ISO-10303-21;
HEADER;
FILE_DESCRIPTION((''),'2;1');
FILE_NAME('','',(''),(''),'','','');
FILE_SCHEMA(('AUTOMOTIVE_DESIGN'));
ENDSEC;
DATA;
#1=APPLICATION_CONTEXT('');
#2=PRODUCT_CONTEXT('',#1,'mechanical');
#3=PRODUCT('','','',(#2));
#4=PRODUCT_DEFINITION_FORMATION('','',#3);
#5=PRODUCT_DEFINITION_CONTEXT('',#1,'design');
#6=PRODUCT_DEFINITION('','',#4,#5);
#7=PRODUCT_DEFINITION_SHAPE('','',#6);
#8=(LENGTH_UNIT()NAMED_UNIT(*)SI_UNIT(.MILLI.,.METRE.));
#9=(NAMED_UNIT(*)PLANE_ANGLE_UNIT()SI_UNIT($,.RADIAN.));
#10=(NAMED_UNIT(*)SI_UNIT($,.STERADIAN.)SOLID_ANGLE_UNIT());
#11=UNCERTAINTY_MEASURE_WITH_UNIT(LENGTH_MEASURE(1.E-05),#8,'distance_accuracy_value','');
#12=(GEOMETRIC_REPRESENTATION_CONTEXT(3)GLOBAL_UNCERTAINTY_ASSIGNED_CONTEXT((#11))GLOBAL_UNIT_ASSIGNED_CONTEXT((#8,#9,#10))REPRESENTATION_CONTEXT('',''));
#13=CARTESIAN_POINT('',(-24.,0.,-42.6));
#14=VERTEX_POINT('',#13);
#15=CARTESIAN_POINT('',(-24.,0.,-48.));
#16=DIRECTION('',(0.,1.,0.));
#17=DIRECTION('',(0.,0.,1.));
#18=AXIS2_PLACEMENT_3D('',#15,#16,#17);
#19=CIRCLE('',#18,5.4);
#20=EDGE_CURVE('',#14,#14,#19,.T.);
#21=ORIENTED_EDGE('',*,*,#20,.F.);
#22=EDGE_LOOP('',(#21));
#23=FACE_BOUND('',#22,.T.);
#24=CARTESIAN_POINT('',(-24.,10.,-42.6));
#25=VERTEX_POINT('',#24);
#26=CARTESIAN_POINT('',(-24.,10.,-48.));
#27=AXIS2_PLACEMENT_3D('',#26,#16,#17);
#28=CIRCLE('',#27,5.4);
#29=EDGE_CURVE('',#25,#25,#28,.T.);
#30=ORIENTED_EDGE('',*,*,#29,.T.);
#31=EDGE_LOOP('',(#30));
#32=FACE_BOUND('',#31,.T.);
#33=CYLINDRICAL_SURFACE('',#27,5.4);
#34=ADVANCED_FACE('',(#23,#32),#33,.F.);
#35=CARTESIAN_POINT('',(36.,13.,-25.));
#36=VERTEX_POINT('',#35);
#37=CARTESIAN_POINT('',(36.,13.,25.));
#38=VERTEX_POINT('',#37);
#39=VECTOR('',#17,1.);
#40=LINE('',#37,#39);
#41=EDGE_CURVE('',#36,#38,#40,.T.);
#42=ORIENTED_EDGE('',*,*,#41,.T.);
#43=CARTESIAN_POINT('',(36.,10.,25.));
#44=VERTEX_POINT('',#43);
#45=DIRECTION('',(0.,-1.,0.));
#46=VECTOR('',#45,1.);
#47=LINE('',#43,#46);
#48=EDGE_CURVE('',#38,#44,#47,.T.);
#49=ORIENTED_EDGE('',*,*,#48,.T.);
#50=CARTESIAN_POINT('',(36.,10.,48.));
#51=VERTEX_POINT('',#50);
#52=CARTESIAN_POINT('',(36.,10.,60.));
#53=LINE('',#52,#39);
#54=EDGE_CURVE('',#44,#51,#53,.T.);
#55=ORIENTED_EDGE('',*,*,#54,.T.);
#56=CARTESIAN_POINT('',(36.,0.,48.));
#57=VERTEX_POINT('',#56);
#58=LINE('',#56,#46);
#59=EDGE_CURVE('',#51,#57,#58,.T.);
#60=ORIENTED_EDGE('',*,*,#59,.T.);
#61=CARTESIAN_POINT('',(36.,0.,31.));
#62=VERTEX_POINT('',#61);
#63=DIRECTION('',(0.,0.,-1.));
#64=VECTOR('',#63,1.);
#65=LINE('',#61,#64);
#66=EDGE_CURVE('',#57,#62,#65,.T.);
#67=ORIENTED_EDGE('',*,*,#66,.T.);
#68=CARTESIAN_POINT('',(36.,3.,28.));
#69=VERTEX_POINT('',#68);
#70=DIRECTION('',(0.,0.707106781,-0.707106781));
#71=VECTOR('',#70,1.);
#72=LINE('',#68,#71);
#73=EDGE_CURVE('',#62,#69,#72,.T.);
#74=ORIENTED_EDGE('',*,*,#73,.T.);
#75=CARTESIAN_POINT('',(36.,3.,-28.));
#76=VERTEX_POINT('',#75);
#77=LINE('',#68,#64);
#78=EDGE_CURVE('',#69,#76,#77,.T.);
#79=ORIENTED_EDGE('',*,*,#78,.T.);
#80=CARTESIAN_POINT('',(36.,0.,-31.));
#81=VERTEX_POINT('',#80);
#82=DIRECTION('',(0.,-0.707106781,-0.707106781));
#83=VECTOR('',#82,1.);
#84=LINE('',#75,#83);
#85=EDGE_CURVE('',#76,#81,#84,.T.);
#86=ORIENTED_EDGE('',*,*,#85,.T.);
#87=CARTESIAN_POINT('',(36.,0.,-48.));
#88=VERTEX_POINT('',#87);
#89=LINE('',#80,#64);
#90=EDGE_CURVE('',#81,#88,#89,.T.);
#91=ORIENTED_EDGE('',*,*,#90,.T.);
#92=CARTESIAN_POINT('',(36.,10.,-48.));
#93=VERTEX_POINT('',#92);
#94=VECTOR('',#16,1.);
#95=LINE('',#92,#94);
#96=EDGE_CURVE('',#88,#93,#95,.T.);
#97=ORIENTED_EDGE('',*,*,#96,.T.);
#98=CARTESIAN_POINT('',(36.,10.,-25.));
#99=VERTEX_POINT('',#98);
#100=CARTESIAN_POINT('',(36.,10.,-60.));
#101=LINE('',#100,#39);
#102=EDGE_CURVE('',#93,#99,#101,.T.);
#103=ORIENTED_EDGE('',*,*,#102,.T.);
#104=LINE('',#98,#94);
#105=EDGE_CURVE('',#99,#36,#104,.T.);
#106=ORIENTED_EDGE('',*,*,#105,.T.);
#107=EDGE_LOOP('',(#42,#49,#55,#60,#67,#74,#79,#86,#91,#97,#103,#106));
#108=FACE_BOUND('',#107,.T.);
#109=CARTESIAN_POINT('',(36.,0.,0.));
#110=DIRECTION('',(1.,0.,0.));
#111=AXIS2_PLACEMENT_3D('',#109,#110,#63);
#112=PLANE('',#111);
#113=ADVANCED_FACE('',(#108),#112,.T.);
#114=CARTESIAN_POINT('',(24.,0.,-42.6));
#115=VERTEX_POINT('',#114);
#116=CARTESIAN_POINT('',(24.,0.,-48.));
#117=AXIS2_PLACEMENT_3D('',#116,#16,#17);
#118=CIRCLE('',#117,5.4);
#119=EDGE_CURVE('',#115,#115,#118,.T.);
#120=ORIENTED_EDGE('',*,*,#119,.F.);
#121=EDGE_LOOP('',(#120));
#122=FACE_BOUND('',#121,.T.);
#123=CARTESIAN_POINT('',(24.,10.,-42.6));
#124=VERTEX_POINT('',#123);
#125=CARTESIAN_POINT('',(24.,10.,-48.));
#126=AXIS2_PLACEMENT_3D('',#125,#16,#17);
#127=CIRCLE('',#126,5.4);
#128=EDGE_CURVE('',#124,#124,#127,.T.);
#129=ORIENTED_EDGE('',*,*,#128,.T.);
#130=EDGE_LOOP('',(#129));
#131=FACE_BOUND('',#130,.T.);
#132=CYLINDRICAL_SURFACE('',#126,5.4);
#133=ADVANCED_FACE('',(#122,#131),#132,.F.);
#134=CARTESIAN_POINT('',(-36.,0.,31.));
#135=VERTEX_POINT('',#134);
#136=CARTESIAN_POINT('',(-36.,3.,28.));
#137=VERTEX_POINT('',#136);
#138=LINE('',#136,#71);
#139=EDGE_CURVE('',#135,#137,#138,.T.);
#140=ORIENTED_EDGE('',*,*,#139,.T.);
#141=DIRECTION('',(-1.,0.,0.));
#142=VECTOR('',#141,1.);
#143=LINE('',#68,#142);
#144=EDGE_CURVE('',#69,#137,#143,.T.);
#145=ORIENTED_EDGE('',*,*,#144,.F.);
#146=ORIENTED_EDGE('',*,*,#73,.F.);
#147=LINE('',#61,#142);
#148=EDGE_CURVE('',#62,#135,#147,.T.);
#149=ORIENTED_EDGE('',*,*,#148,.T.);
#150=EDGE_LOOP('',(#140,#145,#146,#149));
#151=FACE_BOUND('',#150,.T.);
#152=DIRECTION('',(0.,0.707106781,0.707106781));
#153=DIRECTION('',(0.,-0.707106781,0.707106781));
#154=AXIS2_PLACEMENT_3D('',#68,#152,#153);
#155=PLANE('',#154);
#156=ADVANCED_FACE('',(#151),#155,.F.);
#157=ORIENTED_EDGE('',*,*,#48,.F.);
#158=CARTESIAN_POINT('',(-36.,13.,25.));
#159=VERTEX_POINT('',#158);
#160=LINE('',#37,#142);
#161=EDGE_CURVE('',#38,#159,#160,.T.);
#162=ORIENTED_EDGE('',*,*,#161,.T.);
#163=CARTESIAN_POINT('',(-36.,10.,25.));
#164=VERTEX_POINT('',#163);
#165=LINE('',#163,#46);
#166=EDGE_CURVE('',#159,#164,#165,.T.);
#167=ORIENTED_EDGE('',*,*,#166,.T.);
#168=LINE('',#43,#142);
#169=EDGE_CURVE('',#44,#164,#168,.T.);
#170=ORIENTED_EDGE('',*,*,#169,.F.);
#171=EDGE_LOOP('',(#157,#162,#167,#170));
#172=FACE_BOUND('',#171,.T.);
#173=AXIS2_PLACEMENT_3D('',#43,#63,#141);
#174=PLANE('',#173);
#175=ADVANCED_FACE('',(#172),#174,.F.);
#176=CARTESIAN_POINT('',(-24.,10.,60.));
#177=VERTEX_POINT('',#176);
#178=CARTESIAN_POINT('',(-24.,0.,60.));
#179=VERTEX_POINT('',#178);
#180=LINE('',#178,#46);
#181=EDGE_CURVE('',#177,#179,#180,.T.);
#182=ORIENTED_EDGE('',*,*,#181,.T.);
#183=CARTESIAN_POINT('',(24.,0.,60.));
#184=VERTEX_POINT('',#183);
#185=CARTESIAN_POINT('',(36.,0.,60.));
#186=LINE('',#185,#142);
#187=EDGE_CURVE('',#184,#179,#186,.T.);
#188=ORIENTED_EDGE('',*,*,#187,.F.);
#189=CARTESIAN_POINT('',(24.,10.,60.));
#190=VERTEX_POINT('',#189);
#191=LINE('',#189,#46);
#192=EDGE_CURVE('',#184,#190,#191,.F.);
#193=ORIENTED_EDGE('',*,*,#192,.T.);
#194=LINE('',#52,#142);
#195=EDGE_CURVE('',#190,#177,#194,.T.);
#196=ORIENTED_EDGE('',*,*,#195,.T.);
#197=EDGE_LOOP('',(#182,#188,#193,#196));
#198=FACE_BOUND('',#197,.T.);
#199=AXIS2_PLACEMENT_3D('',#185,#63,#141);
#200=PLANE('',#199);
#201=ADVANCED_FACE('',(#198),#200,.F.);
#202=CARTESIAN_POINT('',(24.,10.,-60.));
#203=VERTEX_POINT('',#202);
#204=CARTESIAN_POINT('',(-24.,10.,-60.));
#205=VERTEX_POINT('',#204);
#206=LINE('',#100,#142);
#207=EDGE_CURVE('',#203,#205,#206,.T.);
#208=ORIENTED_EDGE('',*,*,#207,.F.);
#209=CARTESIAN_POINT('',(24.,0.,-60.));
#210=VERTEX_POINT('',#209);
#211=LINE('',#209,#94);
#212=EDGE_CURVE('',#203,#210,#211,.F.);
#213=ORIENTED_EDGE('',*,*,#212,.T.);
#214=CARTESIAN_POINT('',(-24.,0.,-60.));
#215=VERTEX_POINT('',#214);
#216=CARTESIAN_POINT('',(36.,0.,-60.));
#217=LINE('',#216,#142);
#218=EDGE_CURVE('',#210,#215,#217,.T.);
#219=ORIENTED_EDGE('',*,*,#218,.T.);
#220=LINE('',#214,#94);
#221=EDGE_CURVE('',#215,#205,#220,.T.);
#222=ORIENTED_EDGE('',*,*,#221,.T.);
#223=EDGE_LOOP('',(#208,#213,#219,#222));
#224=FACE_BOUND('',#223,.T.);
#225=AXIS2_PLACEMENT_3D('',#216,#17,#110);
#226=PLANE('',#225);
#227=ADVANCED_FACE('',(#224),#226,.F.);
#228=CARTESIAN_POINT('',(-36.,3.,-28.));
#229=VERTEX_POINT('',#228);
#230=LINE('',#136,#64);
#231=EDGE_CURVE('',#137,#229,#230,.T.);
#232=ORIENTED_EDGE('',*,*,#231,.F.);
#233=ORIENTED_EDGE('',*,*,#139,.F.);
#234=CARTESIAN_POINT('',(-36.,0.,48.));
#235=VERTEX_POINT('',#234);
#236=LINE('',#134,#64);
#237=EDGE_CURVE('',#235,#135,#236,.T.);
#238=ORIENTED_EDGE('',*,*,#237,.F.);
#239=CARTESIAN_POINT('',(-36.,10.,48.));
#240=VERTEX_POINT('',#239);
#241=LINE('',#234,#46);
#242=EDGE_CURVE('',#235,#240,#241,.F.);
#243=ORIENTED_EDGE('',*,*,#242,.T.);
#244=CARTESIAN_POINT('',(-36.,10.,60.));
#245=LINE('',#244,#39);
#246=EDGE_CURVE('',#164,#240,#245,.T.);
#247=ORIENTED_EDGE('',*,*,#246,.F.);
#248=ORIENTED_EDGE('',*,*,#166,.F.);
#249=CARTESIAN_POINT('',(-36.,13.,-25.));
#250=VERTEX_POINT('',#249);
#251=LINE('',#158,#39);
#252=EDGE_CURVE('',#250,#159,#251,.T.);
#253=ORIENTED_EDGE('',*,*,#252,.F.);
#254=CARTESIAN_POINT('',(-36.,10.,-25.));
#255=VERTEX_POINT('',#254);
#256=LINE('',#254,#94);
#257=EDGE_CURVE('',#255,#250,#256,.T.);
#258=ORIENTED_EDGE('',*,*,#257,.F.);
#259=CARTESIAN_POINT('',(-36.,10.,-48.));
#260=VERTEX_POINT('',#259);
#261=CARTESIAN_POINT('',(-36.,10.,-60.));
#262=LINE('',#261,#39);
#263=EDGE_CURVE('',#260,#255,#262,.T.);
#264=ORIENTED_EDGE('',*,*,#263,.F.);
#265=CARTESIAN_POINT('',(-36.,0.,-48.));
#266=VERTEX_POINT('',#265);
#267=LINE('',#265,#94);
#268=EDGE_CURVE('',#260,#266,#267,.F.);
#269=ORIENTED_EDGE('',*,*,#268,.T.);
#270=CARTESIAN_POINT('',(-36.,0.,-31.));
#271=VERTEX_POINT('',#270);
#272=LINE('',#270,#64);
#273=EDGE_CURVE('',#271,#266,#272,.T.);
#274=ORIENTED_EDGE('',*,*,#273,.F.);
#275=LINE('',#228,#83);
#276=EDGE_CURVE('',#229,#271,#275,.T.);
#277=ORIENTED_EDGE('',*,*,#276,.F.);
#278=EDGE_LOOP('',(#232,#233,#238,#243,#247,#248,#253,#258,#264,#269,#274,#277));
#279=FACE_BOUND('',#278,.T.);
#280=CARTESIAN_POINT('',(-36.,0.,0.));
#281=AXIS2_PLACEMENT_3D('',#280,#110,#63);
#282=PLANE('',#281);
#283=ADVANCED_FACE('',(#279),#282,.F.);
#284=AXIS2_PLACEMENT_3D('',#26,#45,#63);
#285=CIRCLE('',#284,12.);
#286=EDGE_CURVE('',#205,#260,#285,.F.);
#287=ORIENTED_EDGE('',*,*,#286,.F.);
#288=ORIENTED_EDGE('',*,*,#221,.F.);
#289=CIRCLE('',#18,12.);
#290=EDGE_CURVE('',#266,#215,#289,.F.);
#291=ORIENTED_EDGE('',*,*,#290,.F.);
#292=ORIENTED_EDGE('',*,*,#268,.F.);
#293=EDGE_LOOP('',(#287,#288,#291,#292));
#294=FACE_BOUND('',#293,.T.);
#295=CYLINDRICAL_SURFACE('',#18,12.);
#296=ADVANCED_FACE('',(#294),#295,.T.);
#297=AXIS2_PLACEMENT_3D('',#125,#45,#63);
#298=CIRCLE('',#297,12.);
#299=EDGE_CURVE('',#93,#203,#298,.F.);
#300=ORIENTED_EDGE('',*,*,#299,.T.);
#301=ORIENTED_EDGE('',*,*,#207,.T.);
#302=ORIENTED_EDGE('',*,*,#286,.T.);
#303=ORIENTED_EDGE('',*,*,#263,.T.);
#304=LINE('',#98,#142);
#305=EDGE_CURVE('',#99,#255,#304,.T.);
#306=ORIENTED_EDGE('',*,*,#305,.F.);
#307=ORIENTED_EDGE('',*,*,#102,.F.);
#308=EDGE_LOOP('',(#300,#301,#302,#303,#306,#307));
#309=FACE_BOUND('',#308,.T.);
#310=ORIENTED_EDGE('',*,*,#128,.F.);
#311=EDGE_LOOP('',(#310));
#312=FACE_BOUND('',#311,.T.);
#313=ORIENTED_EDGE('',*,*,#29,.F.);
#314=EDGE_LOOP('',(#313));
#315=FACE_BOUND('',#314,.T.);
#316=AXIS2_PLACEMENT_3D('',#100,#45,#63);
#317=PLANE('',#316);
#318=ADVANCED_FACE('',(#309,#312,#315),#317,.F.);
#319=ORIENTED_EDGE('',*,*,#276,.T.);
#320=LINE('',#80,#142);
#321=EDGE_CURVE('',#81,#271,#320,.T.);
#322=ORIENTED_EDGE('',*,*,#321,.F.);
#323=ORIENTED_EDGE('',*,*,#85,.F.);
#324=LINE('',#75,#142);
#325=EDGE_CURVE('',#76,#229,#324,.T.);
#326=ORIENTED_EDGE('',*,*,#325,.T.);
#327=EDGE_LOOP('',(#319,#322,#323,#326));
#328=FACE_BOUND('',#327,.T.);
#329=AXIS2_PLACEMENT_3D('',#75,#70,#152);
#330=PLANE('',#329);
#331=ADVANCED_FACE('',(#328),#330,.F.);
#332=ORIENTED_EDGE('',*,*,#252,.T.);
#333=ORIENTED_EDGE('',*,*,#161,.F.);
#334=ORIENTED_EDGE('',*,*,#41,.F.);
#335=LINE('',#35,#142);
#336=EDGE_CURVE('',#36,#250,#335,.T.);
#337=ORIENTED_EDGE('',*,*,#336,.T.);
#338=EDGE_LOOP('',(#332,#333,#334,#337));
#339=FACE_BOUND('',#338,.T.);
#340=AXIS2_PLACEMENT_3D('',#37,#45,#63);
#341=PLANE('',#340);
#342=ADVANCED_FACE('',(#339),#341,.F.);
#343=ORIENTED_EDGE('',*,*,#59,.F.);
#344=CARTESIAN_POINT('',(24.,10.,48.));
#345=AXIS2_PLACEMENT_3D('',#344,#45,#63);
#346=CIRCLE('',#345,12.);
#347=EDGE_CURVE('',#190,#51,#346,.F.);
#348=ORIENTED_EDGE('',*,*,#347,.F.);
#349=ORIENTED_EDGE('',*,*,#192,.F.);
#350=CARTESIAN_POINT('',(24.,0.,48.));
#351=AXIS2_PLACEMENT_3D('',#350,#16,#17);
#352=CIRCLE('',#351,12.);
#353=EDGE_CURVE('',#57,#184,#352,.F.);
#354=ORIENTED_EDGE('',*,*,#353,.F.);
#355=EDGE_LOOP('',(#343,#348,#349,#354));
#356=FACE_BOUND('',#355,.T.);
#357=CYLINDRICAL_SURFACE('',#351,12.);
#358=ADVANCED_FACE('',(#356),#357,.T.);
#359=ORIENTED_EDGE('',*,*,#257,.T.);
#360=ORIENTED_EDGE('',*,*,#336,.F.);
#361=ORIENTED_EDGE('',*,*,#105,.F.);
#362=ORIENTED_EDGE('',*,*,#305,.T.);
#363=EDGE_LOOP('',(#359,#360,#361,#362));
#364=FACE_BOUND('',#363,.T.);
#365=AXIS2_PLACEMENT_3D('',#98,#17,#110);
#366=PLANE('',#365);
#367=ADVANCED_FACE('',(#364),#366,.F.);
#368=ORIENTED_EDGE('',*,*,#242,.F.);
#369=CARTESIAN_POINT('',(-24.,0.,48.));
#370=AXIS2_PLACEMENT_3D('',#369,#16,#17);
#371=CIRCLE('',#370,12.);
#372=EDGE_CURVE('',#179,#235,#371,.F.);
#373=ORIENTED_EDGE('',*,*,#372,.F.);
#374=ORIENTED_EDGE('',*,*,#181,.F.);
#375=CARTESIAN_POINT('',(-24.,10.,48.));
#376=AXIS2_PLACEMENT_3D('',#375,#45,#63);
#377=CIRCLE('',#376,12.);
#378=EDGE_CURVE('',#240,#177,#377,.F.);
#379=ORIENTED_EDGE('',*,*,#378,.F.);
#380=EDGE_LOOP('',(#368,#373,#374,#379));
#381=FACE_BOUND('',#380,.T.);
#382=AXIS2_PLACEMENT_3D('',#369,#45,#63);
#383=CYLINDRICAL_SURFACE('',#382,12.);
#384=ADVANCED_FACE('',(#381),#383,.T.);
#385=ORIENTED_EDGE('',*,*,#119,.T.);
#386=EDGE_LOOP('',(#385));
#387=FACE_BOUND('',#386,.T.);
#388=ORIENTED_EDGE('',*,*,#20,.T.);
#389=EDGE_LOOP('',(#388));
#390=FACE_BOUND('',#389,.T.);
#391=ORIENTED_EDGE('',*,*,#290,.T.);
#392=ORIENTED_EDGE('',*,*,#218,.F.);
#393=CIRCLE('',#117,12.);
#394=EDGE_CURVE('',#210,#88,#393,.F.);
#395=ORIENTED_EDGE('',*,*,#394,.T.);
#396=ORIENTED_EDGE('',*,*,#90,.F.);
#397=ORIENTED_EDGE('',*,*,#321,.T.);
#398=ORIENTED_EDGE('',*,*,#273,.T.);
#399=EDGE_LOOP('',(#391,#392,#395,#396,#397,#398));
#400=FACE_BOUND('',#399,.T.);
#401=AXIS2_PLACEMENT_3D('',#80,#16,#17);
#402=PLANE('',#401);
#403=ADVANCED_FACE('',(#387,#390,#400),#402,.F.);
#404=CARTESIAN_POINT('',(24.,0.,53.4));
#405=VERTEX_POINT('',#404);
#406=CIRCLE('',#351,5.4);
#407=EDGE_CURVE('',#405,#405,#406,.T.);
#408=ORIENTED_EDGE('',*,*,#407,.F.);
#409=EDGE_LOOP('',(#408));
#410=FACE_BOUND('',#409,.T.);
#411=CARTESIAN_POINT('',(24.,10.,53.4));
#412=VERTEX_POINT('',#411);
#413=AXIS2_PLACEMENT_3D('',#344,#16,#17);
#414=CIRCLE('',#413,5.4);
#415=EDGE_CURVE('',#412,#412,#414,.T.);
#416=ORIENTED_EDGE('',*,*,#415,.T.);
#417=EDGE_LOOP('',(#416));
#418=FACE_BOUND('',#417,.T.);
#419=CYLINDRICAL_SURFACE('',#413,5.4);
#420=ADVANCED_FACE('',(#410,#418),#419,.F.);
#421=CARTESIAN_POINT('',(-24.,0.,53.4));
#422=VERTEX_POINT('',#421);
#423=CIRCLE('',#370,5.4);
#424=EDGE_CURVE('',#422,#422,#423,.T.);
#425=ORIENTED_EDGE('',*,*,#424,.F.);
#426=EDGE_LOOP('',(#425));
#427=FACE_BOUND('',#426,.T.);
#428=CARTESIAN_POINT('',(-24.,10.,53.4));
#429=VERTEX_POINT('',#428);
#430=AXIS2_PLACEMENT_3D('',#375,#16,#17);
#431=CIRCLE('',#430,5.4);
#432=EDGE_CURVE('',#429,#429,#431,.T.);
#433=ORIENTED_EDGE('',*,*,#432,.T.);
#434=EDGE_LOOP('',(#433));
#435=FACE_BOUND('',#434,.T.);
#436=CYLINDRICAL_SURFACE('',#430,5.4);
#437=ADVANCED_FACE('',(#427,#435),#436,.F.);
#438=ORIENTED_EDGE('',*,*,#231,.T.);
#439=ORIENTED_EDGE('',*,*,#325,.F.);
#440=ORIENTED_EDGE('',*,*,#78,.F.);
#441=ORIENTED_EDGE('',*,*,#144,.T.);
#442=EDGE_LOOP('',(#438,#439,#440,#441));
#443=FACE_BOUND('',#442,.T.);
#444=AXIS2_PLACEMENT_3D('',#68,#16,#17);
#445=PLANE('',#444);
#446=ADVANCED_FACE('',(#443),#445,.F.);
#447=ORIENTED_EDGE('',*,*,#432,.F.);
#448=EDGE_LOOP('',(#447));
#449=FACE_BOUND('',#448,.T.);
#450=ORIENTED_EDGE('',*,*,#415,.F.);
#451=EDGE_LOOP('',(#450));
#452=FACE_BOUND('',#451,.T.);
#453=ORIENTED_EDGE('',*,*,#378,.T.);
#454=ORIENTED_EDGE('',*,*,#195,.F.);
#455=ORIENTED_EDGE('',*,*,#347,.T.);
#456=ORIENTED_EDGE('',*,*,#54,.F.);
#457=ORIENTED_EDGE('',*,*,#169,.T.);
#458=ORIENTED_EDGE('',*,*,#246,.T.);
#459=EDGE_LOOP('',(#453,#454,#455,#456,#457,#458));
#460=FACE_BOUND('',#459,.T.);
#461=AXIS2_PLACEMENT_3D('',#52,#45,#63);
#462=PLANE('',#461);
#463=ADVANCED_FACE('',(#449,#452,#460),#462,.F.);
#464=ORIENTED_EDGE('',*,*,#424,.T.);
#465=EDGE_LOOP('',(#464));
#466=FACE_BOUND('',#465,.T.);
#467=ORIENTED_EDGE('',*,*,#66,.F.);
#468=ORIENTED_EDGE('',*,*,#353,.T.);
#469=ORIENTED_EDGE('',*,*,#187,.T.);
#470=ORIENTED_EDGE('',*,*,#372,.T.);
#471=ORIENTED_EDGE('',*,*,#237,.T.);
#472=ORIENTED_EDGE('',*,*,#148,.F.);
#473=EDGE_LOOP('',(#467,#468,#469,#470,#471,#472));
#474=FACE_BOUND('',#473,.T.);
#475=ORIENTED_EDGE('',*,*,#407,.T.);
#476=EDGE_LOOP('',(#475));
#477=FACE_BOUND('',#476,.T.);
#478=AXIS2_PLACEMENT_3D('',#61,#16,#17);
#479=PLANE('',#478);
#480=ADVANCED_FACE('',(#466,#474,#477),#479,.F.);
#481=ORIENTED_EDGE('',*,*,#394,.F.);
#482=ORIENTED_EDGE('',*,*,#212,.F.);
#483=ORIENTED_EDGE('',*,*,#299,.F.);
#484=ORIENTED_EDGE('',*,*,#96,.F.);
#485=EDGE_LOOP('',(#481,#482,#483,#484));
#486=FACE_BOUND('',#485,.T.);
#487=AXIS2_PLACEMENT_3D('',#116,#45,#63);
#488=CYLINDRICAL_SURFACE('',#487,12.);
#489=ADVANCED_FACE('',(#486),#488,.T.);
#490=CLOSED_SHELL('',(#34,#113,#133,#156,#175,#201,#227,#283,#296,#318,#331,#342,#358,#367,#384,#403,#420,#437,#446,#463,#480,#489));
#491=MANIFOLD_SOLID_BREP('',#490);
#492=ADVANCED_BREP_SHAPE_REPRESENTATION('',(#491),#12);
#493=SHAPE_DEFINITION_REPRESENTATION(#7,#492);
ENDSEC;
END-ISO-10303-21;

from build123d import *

# Parameters (mm, degrees)
BOSS_EXTRUDE1_DEPTH     = 36
FILLET1_R               = 12
M12X1_25_TAPPED_HOLE1_D = 10.8


with BuildPart() as part:
    # Sketch1 → Boss-Extrude1 (new, symmetric)
    with BuildSketch(Plane(origin=(0, 0, 0), x_dir=(0, 0, -1), z_dir=(1, 0, 0))):
        Polygon((-28, 3), (-31, 0), (-60, 0), (-60, 10), (-25, 10), (-25, 13), (25, 13), (25, 10), (60, 10), (60, 0), (31, 0), (28, 3), align=None)
    extrude(amount=BOSS_EXTRUDE1_DEPTH, both=True)

    # Fillet1
    fillet1_edges = [part.edges().sort_by_distance(p)[0] for p in [
        (-36, 5, 60),
        (-36, 5, -60),
        (36, 5, -60),
        (36, 5, 60),
    ]]
    fillet(fillet1_edges, radius=FILLET1_R)

    # M12x1.25 Tapped Hole1 (through all)
    with Locations(Plane(origin=(0, 10, 0), x_dir=(1, 0, 0), z_dir=(0, 1, 0))):
        with Locations((24, -48), (-24, -48), (24, 48), (-24, 48)):
            Hole(M12X1_25_TAPPED_HOLE1_D / 2)


solid = part.part
